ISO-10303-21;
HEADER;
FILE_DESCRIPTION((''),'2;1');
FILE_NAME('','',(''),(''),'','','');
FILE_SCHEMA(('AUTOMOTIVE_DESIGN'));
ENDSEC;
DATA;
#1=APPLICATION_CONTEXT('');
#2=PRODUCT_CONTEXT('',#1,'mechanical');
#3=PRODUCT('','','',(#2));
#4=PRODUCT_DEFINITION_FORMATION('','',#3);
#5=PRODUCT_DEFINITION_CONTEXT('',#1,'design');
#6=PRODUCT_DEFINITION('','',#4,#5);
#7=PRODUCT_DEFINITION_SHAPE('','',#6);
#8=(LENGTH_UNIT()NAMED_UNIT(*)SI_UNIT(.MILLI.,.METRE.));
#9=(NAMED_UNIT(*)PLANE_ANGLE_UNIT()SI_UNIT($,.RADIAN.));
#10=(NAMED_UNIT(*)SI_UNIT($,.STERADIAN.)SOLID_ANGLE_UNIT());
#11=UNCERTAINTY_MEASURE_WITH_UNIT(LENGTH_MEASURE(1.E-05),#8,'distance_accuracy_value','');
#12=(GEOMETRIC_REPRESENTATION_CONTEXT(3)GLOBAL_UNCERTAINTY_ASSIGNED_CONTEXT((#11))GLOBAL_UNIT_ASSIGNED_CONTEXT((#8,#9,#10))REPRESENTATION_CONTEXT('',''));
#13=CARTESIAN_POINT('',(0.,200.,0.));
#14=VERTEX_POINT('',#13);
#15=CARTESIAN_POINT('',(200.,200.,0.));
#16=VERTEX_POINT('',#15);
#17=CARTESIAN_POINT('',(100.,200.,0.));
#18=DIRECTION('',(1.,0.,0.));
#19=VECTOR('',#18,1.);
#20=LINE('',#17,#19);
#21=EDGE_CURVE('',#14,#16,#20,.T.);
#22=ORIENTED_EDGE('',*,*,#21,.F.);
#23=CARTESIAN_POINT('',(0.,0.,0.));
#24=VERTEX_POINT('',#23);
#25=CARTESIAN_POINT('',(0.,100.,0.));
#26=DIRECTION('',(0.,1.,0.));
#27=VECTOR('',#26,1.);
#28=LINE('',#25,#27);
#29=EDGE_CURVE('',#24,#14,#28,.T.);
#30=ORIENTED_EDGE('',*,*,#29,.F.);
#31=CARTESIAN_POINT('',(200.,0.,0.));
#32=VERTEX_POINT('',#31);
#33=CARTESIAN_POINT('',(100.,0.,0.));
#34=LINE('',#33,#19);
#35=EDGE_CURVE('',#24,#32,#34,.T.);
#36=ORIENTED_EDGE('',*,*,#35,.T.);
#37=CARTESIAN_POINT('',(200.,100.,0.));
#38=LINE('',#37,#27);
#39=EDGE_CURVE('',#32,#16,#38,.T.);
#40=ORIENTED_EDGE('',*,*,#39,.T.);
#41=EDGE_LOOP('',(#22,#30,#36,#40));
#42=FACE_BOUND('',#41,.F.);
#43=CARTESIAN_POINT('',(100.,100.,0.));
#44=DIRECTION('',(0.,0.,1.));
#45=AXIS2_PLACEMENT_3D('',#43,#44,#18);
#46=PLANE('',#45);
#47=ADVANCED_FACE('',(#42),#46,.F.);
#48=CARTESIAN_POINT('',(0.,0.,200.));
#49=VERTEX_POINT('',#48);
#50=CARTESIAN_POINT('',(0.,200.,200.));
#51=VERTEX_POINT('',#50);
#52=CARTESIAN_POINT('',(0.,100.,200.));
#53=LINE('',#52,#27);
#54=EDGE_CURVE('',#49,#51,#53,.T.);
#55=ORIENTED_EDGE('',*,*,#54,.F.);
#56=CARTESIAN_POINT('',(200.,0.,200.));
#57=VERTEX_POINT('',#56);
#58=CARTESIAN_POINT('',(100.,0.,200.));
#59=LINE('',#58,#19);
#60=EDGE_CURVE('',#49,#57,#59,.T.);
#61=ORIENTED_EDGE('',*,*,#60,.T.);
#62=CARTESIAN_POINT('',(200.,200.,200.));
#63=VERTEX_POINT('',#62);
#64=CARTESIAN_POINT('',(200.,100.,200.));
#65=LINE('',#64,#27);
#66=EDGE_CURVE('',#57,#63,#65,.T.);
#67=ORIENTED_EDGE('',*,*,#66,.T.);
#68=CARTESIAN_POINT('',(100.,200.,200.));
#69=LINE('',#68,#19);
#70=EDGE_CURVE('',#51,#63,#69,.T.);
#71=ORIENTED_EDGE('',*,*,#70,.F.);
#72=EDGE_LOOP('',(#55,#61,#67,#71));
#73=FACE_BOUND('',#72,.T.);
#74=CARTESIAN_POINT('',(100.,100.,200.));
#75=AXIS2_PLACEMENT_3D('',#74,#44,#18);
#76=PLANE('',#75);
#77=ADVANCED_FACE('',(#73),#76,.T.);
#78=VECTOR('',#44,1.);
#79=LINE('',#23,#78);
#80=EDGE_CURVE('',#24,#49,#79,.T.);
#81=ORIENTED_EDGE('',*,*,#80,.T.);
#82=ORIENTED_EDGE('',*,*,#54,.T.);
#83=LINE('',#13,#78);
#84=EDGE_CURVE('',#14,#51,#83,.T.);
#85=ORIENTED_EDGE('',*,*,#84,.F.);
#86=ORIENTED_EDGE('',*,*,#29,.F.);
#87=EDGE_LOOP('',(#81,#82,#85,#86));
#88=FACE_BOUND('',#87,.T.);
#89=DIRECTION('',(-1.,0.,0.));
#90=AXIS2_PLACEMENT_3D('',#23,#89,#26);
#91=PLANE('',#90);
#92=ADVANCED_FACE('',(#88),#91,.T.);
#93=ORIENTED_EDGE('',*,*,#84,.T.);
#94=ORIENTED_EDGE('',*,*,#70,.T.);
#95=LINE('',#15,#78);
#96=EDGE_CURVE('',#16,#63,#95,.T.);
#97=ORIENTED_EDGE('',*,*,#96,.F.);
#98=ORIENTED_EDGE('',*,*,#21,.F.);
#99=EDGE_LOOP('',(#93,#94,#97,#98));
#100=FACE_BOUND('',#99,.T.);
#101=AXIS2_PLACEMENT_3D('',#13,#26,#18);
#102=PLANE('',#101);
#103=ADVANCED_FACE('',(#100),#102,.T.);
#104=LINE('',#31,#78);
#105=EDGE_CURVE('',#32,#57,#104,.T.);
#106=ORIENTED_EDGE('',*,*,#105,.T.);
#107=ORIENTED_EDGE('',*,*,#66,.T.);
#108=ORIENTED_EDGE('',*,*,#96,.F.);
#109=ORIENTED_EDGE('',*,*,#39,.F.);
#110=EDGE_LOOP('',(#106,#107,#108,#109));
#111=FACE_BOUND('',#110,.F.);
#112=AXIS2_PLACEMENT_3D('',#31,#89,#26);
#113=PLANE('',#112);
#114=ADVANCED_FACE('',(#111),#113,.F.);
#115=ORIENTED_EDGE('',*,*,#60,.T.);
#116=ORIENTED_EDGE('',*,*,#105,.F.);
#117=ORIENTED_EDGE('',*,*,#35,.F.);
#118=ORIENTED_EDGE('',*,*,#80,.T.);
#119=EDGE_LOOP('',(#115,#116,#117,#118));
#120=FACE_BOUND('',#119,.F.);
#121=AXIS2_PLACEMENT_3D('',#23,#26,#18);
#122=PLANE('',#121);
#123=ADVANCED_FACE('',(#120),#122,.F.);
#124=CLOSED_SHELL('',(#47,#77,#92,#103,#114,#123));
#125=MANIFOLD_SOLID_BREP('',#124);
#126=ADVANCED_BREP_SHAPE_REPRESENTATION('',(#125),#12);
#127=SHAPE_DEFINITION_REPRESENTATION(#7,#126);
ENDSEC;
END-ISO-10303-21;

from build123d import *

# Parameters (mm, degrees)
CUBE_W     = 200
CUBE_H     = 200
CUBE_DEPTH = 200


with BuildPart() as part:
    # cube → cube (new body)
    with BuildSketch(Plane.XY):
        with Locations((100, 100)):
            Rectangle(CUBE_W, CUBE_H)
    extrude(amount=CUBE_DEPTH)


solid = part.part
